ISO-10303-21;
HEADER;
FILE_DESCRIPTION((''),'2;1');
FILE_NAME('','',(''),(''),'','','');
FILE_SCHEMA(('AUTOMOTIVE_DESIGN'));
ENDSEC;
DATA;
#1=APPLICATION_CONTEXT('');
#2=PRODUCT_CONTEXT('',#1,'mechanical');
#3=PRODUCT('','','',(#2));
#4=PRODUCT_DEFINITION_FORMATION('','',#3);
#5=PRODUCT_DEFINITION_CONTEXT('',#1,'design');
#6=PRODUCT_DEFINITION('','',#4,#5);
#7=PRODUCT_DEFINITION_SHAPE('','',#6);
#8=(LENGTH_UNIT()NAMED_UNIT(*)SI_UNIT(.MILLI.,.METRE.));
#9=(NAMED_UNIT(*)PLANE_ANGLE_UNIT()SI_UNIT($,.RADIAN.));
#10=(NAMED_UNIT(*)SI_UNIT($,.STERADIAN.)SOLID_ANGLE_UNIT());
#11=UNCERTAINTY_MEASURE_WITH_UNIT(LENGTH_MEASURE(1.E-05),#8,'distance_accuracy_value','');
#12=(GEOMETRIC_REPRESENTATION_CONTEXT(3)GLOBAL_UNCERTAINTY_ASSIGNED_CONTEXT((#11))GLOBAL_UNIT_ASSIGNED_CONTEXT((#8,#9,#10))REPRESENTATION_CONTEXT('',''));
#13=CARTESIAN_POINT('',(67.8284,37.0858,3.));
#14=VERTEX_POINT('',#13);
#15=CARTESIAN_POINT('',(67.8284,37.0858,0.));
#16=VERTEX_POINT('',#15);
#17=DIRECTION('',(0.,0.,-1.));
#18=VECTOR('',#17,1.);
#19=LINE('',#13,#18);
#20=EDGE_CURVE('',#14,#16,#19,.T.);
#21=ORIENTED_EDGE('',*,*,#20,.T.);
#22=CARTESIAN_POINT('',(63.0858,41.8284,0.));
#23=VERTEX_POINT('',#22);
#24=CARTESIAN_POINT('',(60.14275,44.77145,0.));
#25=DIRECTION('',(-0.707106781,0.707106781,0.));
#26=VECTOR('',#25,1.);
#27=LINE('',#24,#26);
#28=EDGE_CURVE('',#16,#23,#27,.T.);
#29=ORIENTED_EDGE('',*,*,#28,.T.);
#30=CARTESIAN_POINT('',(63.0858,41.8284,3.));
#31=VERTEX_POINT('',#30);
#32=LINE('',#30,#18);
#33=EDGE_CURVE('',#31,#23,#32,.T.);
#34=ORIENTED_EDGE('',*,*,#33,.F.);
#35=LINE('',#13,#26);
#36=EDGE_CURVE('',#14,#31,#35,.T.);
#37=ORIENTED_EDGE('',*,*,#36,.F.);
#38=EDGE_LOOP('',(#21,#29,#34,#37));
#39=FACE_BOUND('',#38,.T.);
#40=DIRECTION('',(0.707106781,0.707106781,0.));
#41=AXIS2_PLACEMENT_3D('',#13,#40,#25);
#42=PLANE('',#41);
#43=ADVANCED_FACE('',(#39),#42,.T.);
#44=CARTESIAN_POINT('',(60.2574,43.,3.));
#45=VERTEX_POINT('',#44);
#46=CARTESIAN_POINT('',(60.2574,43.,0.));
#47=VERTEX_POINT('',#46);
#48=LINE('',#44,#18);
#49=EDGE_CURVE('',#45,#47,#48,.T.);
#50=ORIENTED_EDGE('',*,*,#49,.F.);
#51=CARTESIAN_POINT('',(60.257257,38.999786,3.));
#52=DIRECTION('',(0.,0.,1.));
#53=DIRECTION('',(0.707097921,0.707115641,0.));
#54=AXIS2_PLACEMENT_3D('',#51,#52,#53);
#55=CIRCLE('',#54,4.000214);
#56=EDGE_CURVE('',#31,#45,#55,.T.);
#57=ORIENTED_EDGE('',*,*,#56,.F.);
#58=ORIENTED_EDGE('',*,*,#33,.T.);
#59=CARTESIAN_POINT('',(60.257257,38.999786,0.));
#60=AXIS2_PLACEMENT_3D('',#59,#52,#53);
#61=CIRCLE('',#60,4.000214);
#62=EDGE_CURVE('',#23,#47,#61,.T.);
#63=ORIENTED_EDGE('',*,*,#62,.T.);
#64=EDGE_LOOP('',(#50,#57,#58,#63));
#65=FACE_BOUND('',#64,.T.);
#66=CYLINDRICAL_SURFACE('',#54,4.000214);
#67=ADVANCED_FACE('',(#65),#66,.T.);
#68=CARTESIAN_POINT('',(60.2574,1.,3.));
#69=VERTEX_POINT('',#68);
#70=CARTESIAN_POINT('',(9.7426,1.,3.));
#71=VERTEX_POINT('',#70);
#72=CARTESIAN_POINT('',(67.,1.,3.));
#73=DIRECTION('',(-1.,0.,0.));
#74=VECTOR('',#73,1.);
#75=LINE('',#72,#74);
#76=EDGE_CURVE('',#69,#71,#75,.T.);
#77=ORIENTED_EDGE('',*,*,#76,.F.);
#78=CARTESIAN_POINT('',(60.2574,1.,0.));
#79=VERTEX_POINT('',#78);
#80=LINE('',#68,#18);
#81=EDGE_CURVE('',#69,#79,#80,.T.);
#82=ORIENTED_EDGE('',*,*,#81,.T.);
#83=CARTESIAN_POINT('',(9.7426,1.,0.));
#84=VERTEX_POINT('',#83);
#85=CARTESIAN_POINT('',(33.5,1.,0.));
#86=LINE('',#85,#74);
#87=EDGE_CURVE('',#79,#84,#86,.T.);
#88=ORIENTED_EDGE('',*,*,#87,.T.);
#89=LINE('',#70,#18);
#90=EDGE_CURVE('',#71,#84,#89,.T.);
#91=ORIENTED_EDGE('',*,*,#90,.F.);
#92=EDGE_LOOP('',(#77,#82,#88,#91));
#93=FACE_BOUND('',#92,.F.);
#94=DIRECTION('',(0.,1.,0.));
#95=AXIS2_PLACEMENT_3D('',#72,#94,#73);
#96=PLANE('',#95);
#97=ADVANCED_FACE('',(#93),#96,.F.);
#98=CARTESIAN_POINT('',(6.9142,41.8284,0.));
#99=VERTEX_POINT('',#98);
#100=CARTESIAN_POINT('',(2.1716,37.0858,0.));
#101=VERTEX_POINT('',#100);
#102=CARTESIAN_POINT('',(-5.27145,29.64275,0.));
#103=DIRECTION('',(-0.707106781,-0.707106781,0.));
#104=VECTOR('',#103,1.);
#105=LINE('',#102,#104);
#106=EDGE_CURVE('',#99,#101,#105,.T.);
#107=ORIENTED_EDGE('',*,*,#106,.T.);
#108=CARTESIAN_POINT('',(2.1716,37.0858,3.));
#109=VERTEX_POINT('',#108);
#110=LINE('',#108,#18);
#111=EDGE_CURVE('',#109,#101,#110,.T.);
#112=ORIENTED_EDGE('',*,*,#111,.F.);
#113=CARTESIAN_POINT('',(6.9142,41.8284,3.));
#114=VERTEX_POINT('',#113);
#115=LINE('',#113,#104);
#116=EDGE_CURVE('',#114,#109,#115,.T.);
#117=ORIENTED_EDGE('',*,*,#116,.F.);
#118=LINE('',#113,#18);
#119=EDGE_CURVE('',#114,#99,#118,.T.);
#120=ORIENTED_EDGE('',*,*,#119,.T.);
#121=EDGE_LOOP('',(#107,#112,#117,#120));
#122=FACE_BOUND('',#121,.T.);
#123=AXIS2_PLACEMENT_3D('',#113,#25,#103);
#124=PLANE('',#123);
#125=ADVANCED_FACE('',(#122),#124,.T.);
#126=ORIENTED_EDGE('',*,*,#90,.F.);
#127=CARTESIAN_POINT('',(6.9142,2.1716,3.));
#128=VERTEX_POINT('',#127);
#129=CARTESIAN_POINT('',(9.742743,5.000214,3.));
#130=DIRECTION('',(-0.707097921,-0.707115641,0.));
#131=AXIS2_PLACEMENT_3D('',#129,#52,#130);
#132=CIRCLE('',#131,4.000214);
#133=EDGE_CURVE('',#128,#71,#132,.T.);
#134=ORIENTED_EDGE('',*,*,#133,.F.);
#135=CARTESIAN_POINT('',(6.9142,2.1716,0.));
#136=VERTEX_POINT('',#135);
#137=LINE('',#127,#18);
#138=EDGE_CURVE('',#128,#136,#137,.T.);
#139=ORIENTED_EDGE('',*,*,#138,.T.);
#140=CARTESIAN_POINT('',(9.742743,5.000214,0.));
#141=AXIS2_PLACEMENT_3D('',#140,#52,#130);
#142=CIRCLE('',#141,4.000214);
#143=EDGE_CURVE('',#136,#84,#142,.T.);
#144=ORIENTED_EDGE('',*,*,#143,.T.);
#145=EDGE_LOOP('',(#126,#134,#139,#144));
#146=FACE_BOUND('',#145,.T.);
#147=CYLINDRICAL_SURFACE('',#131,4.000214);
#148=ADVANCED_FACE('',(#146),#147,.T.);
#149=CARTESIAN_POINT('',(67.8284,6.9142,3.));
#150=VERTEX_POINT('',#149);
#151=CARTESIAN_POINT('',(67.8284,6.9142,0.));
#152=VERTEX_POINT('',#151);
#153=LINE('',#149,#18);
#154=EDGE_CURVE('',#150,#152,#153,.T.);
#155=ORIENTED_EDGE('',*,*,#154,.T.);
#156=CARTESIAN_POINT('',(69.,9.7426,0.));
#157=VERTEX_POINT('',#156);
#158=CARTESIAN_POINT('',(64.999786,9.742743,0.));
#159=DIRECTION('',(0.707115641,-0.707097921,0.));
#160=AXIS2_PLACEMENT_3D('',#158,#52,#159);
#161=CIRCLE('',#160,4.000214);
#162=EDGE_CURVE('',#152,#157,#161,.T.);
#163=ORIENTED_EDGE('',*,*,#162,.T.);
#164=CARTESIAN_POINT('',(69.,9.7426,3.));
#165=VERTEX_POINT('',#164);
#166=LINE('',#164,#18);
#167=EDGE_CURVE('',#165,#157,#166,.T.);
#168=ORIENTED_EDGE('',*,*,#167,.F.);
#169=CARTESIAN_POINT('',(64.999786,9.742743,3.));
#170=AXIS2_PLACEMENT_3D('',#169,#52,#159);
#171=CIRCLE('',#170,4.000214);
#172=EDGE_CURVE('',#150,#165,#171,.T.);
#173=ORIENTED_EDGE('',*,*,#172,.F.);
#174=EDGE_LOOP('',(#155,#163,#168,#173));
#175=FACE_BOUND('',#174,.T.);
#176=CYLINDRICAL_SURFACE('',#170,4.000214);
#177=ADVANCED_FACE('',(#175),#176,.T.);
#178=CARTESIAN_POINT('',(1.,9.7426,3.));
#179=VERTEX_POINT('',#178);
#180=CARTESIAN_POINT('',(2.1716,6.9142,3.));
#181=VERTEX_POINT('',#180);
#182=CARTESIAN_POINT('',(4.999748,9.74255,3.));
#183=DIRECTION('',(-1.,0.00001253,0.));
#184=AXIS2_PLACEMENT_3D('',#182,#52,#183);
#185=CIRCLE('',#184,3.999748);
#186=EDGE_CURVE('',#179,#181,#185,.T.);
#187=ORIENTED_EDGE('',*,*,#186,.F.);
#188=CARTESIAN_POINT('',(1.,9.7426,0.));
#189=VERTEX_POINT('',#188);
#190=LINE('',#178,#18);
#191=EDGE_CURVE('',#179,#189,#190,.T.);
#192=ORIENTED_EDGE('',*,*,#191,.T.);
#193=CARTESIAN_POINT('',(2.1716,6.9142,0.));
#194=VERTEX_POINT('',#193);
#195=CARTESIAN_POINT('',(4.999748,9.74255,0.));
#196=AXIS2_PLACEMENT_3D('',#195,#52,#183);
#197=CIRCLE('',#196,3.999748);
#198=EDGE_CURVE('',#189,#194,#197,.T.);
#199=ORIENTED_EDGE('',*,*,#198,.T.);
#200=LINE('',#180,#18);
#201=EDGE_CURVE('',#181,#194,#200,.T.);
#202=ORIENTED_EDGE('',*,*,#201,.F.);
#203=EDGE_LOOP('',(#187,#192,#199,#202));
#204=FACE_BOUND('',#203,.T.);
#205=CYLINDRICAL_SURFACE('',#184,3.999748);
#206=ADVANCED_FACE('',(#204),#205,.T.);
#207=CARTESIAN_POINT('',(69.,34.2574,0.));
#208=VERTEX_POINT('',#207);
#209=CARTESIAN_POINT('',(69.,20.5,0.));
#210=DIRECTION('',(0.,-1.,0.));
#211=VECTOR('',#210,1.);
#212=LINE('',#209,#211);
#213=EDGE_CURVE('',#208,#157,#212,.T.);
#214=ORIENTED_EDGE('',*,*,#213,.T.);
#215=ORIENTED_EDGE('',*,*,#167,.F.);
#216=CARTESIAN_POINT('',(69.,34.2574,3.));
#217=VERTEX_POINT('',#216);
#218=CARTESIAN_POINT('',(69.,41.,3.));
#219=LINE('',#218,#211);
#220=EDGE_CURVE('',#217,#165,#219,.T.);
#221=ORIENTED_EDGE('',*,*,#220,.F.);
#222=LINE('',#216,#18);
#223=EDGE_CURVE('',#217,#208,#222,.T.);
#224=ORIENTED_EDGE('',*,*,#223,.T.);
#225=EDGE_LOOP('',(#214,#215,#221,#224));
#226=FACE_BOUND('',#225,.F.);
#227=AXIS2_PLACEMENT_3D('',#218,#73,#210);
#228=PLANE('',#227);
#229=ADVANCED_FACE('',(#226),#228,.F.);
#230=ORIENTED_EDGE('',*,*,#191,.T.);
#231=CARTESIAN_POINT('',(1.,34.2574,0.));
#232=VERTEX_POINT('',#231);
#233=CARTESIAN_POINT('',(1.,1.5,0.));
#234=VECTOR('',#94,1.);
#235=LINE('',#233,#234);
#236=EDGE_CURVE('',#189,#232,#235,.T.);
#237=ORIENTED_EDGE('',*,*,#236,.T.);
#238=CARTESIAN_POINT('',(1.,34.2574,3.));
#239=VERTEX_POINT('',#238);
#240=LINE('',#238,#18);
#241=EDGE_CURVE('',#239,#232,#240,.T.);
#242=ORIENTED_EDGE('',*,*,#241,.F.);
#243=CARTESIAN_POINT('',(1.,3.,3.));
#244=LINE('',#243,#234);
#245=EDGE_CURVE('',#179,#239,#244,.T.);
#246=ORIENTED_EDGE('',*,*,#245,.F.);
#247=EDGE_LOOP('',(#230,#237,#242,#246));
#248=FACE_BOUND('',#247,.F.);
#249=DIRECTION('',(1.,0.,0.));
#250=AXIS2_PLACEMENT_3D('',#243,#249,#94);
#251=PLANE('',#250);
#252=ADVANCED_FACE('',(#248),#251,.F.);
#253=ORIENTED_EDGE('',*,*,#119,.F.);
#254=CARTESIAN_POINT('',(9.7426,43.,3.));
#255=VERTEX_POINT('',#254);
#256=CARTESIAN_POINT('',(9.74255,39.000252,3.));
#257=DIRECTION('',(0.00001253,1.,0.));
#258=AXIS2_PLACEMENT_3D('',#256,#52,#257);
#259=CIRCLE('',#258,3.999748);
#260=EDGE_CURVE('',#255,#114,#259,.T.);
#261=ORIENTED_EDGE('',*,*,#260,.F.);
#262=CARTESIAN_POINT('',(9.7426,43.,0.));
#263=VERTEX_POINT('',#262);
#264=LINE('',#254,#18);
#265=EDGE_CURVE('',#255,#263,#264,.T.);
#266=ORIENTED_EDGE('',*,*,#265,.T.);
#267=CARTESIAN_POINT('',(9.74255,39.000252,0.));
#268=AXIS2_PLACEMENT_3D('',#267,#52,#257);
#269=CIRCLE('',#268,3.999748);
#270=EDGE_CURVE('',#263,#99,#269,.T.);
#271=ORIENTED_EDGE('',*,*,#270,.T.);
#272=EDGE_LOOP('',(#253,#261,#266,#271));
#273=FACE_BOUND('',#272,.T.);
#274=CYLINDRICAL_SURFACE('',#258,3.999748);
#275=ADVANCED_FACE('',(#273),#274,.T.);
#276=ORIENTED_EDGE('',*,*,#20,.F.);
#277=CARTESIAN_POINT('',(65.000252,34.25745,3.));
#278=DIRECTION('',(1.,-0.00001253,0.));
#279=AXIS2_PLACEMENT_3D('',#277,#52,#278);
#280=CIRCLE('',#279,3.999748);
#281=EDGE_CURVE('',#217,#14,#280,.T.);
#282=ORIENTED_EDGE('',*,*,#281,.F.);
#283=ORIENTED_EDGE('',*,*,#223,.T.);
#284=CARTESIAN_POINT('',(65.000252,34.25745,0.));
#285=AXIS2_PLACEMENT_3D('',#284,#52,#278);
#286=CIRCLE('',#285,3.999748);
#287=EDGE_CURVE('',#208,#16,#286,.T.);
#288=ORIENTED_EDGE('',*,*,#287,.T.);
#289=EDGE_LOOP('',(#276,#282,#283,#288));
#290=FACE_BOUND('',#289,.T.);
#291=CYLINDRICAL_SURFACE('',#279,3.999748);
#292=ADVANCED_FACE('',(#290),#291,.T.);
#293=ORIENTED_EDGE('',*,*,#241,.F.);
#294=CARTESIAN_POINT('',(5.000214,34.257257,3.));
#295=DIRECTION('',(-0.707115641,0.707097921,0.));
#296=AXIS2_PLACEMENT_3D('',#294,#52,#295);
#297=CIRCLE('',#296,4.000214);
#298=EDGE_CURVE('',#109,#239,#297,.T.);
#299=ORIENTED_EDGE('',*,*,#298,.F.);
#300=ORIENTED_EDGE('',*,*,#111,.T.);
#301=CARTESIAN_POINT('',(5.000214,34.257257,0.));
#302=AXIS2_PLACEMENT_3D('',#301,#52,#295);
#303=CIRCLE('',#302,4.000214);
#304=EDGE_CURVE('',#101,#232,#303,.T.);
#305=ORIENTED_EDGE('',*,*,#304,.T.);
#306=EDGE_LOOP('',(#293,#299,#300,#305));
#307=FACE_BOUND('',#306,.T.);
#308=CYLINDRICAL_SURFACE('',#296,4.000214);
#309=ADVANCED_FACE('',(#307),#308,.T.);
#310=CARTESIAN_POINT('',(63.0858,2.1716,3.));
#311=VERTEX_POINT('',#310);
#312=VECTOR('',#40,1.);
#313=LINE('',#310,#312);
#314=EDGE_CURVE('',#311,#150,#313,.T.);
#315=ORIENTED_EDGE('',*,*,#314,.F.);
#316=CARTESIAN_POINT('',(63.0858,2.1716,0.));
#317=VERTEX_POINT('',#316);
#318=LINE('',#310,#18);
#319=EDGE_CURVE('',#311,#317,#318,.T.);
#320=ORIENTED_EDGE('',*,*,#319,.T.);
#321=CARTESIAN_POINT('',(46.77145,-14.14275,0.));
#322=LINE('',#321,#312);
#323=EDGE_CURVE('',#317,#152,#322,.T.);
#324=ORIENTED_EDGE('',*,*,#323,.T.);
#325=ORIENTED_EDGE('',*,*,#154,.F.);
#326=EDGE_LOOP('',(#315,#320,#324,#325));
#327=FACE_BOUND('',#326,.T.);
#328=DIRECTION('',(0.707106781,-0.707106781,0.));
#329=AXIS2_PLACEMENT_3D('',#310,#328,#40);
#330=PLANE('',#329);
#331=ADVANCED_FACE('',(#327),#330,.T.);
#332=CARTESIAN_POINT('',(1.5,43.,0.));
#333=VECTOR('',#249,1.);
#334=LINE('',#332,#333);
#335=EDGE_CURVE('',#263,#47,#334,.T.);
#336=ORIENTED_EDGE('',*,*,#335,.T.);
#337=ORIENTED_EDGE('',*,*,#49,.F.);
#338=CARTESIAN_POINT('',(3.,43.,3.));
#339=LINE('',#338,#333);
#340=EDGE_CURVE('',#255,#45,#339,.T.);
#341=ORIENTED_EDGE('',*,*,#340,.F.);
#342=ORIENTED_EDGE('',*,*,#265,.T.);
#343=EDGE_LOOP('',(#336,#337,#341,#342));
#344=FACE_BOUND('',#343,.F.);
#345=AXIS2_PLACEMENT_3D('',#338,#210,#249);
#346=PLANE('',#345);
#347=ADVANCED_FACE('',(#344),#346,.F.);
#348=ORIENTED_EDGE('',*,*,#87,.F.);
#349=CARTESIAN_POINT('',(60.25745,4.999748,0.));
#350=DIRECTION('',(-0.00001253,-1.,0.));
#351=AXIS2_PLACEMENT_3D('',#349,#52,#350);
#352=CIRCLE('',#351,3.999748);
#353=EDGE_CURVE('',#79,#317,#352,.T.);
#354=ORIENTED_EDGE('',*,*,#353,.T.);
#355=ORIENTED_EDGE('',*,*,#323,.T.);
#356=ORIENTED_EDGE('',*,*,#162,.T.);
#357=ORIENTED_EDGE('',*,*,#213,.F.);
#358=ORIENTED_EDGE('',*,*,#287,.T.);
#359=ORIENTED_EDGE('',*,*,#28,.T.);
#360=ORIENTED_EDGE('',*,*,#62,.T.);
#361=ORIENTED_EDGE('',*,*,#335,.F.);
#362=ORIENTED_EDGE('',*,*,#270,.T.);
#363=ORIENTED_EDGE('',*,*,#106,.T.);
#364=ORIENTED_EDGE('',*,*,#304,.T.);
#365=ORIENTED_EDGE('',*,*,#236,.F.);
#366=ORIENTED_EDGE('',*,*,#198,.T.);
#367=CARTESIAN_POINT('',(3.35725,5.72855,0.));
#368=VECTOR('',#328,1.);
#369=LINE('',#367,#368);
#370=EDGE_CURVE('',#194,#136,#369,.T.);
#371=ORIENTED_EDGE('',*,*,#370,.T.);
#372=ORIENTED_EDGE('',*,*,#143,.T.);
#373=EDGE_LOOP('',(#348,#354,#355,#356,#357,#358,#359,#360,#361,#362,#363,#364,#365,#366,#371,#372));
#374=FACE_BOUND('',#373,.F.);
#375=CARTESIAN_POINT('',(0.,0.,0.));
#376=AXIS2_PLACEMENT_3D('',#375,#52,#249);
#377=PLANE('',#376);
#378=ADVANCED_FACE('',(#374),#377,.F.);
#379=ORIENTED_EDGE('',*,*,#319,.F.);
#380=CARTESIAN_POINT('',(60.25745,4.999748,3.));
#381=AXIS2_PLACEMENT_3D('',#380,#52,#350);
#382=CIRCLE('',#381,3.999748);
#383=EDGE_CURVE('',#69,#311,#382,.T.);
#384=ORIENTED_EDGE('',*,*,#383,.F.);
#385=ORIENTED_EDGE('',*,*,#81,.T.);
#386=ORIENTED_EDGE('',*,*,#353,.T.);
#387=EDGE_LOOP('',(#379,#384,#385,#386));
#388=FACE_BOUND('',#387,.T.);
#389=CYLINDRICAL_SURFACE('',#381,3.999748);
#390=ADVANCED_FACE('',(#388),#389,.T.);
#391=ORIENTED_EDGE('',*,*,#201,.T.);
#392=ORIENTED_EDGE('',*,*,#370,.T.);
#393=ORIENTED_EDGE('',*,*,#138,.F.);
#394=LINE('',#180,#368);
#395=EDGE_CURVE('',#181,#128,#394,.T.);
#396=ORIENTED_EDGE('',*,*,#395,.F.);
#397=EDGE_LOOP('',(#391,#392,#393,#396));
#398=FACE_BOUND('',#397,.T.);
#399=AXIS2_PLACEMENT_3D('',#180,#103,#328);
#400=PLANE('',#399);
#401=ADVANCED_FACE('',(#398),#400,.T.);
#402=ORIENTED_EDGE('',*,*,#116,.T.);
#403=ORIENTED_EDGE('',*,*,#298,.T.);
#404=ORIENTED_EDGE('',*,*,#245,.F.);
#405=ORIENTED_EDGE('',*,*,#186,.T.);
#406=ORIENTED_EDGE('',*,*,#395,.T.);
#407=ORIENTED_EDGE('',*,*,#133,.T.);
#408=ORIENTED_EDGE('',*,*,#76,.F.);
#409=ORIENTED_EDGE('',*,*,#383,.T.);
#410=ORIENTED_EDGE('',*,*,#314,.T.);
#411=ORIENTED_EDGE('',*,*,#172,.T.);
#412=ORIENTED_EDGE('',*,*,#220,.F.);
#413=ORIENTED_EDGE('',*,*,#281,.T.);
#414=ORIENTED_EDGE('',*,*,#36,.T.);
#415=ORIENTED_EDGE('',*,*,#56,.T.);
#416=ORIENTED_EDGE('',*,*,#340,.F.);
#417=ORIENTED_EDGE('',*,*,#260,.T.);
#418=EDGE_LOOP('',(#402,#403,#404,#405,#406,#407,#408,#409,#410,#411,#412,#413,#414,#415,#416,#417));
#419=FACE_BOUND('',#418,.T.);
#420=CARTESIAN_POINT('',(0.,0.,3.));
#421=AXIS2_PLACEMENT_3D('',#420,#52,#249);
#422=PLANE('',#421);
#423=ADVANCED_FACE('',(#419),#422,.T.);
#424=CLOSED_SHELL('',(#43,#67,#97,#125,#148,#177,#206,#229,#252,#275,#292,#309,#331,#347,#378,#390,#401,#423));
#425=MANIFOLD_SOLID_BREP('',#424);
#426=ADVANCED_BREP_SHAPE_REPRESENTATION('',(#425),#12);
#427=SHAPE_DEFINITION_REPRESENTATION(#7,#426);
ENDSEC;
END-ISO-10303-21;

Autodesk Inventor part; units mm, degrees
ref_plane "YZ Plane" through (0, 0, 0) normal (1, 0, 0) x (0, 1, 0)
ref_plane "XZ Plane" through (0, 0, 0) normal (0, 1, 0) x (-1, 0, 0)
ref_plane "XY Plane" through (0, 0, 0) normal (0, 0, 1) x (1, 0, 0)
sketch "Boceto1" plane through (0, 0, 0) normal (0, 0, 1) x (1, 0, 0)
  line L0 (3, 0) -> (67, 0)
  line L1 (70, 3) -> (70, 41)
  line L2 (67, 44) -> (3, 44)
  line L3 (0, 41) -> (0, 3)
  arc A0 (3, 44) -> (0, 41) centre (3, 41) ccw
  arc A1 (0, 3) -> (3, 0) centre (3, 3) ccw
  arc A2 (67, 0) -> (70, 3) centre (67, 3) ccw
  arc A3 (70, 41) -> (67, 44) centre (67, 41) ccw
  point P0 (0, 0)
  point P1 (70, 44)
  point P2 (70, 0)
  point P3 (0, 44)
  dimension "d0" = 70
  dimension "d1" = 44
  dimension "d2" = 3
extrude "Extrusión1" add sketch "Boceto1" along normal blind 3
sketch "Boceto2" plane through (0, 0, 3) normal (0, 0, 1) x (1, 0, 0)
  line L0 (0, 41) -> (0, 3) projected
  arc A0 (0, 3) -> (3, 0) centre (3, 3) ccw projected
  line L1 (3, 0) -> (67, 0) projected
  arc A1 (67, 0) -> (70, 3) centre (67, 3) ccw projected
  line L2 (70, 3) -> (70, 41) projected
  arc A2 (70, 41) -> (67, 44) centre (67, 41) ccw projected
  line L3 (67, 44) -> (3, 44) projected
  arc A3 (3, 44) -> (0, 41) centre (3, 41) ccw projected
  line L4 (3, 43) -> (67, 43)
  arc A4 (69, 41) -> (67, 43) centre (67, 41) ccw
  line L5 (69, 41) -> (69, 3)
  arc A5 (67, 1) -> (69, 3) centre (67, 3) ccw
  line L6 (67, 1) -> (3, 1)
  arc A6 (1, 3) -> (3, 1) centre (3, 3) ccw
  line L7 (1, 3) -> (1, 41)
  arc A7 (3, 43) -> (1, 41) centre (3, 41) ccw
  point P0 (0, 0)
  dimension "d5" = 1
extrude "Extrusión2" cut sketch "Boceto2" against normal through all
sketch "Boceto5" plane through (0, 0, 3) normal (0, 0, 1) x (1, 0, 0)
  arc A0 (3, 43) -> (1, 41) centre (3, 41) ccw projected
  line L0 (1, 41) -> (1, 3) projected
  arc A1 (1, 3) -> (3, 1) centre (3, 3) ccw projected
  line L1 (3, 1) -> (67, 1) projected
  arc A2 (67, 1) -> (69, 3) centre (67, 3) ccw projected
  line L2 (69, 3) -> (69, 41) projected
  arc A3 (69, 41) -> (67, 43) centre (67, 41) ccw projected
  line L3 (67, 43) -> (3, 43) projected
  arc A4 (2.1716, 37.0858) -> (1, 34.2574) centre (5, 34.2574) ccw
  line L4 (1, 34.2574) -> (1, 9.7426)
  arc A5 (1, 9.7426) -> (2.1716, 6.9142) centre (5, 9.7426) ccw
  line L5 (2.1716, 6.9142) -> (6.9142, 2.1716)
  arc A6 (6.9142, 2.1716) -> (9.7426, 1) centre (9.7426, 5) ccw
  line L6 (9.7426, 1) -> (60.2574, 1)
  arc A7 (60.2574, 1) -> (63.0858, 2.1716) centre (60.2574, 5) ccw
  line L7 (63.0858, 2.1716) -> (67.8284, 6.9142)
  arc A8 (67.8284, 6.9142) -> (69, 9.7426) centre (65, 9.7426) ccw
  line L8 (69, 9.7426) -> (69, 34.2574)
  arc A9 (69, 34.2574) -> (67.8284, 37.0858) centre (65, 34.2574) ccw
  line L9 (67.8284, 37.0858) -> (63.0858, 41.8284)
  arc A10 (63.0858, 41.8284) -> (60.2574, 43) centre (60.2574, 39) ccw
  line L10 (60.2574, 43) -> (9.7426, 43)
  arc A11 (9.7426, 43) -> (6.9142, 41.8284) centre (9.7426, 39) ccw
  line L11 (6.9142, 41.8284) -> (2.1716, 37.0858)
  arc A12 (2.8787, 36.3787) -> (2, 34.2574) centre (5, 34.2574) ccw
  line L12 (2, 34.2574) -> (2, 9.7426)
  arc A13 (2, 9.7426) -> (2.8787, 7.6213) centre (5, 9.7426) ccw
  line L13 (2.8787, 7.6213) -> (7.6213, 2.8787)
  arc A14 (7.6213, 2.8787) -> (9.7426, 2) centre (9.7426, 5) ccw
  line L14 (9.7426, 2) -> (60.2574, 2)
  arc A15 (60.2574, 2) -> (62.3787, 2.8787) centre (60.2574, 5) ccw
  line L15 (62.3787, 2.8787) -> (67.1213, 7.6213)
  arc A16 (67.1213, 7.6213) -> (68, 9.7426) centre (65, 9.7426) ccw
  line L16 (68, 9.7426) -> (68, 34.2574)
  arc A17 (68, 34.2574) -> (67.1213, 36.3787) centre (65, 34.2574) ccw
  line L17 (67.1213, 36.3787) -> (62.3787, 41.1213)
  arc A18 (62.3787, 41.1213) -> (60.2574, 42) centre (60.2574, 39) ccw
  line L18 (60.2574, 42) -> (9.7426, 42)
  arc A19 (9.7426, 42) -> (7.6213, 41.1213) centre (9.7426, 39) ccw
  line L19 (7.6213, 41.1213) -> (2.8787, 36.3787)
  point P0 (0, 0)
  dimension "d0" = 70
  dimension "d1" = 44
  dimension "d2" = 3
  dimension "d23" = 1
  dimension "d24" = 4
  dimension "d25" = 8.7426
  dimension "d26" = 4
  dimension "d27" = 8.7426
  dimension "d28" = 4
  dimension "d29" = 4
  dimension "d30" = 8.7426
  dimension "d31" = 4
  dimension "d32" = 8.7426
  dimension "d33" = 4
  dimension "d34" = 4
  dimension "d35" = 8.7426
  dimension "d36" = 8.7426
  dimension "d37" = 4
  dimension "d38" = 8.7426
  dimension "d39" = 8.7426
  dimension "d40" = 4
  dimension "d41" = 4
  dimension "d42" = 4
  dimension "d43" = 1
  dimension "d44" = 1
  dimension "d45" = 4
  dimension "d46" = 4
  dimension "d47" = 1
  dimension "d48" = 4
  dimension "d49" = 4
  dimension "d50" = 4
  dimension "d51" = 45
  dimension "d52" = 45
  dimension "d53" = 45
  dimension "d54" = 45
  dimension "d55" = 90
  dimension "d56" = 90
extrude "Extrusión4" cut sketch "Boceto5" against normal through all contours L3 A11 L11 A4 L0 A0 | L3 A3 L2 A9 L9 A10 | A5 L5 A6 L1 A1 L0 | L2 A2 L1 A7 L7 A8
properties part number "3d_DAA - Enclosure Glass"
